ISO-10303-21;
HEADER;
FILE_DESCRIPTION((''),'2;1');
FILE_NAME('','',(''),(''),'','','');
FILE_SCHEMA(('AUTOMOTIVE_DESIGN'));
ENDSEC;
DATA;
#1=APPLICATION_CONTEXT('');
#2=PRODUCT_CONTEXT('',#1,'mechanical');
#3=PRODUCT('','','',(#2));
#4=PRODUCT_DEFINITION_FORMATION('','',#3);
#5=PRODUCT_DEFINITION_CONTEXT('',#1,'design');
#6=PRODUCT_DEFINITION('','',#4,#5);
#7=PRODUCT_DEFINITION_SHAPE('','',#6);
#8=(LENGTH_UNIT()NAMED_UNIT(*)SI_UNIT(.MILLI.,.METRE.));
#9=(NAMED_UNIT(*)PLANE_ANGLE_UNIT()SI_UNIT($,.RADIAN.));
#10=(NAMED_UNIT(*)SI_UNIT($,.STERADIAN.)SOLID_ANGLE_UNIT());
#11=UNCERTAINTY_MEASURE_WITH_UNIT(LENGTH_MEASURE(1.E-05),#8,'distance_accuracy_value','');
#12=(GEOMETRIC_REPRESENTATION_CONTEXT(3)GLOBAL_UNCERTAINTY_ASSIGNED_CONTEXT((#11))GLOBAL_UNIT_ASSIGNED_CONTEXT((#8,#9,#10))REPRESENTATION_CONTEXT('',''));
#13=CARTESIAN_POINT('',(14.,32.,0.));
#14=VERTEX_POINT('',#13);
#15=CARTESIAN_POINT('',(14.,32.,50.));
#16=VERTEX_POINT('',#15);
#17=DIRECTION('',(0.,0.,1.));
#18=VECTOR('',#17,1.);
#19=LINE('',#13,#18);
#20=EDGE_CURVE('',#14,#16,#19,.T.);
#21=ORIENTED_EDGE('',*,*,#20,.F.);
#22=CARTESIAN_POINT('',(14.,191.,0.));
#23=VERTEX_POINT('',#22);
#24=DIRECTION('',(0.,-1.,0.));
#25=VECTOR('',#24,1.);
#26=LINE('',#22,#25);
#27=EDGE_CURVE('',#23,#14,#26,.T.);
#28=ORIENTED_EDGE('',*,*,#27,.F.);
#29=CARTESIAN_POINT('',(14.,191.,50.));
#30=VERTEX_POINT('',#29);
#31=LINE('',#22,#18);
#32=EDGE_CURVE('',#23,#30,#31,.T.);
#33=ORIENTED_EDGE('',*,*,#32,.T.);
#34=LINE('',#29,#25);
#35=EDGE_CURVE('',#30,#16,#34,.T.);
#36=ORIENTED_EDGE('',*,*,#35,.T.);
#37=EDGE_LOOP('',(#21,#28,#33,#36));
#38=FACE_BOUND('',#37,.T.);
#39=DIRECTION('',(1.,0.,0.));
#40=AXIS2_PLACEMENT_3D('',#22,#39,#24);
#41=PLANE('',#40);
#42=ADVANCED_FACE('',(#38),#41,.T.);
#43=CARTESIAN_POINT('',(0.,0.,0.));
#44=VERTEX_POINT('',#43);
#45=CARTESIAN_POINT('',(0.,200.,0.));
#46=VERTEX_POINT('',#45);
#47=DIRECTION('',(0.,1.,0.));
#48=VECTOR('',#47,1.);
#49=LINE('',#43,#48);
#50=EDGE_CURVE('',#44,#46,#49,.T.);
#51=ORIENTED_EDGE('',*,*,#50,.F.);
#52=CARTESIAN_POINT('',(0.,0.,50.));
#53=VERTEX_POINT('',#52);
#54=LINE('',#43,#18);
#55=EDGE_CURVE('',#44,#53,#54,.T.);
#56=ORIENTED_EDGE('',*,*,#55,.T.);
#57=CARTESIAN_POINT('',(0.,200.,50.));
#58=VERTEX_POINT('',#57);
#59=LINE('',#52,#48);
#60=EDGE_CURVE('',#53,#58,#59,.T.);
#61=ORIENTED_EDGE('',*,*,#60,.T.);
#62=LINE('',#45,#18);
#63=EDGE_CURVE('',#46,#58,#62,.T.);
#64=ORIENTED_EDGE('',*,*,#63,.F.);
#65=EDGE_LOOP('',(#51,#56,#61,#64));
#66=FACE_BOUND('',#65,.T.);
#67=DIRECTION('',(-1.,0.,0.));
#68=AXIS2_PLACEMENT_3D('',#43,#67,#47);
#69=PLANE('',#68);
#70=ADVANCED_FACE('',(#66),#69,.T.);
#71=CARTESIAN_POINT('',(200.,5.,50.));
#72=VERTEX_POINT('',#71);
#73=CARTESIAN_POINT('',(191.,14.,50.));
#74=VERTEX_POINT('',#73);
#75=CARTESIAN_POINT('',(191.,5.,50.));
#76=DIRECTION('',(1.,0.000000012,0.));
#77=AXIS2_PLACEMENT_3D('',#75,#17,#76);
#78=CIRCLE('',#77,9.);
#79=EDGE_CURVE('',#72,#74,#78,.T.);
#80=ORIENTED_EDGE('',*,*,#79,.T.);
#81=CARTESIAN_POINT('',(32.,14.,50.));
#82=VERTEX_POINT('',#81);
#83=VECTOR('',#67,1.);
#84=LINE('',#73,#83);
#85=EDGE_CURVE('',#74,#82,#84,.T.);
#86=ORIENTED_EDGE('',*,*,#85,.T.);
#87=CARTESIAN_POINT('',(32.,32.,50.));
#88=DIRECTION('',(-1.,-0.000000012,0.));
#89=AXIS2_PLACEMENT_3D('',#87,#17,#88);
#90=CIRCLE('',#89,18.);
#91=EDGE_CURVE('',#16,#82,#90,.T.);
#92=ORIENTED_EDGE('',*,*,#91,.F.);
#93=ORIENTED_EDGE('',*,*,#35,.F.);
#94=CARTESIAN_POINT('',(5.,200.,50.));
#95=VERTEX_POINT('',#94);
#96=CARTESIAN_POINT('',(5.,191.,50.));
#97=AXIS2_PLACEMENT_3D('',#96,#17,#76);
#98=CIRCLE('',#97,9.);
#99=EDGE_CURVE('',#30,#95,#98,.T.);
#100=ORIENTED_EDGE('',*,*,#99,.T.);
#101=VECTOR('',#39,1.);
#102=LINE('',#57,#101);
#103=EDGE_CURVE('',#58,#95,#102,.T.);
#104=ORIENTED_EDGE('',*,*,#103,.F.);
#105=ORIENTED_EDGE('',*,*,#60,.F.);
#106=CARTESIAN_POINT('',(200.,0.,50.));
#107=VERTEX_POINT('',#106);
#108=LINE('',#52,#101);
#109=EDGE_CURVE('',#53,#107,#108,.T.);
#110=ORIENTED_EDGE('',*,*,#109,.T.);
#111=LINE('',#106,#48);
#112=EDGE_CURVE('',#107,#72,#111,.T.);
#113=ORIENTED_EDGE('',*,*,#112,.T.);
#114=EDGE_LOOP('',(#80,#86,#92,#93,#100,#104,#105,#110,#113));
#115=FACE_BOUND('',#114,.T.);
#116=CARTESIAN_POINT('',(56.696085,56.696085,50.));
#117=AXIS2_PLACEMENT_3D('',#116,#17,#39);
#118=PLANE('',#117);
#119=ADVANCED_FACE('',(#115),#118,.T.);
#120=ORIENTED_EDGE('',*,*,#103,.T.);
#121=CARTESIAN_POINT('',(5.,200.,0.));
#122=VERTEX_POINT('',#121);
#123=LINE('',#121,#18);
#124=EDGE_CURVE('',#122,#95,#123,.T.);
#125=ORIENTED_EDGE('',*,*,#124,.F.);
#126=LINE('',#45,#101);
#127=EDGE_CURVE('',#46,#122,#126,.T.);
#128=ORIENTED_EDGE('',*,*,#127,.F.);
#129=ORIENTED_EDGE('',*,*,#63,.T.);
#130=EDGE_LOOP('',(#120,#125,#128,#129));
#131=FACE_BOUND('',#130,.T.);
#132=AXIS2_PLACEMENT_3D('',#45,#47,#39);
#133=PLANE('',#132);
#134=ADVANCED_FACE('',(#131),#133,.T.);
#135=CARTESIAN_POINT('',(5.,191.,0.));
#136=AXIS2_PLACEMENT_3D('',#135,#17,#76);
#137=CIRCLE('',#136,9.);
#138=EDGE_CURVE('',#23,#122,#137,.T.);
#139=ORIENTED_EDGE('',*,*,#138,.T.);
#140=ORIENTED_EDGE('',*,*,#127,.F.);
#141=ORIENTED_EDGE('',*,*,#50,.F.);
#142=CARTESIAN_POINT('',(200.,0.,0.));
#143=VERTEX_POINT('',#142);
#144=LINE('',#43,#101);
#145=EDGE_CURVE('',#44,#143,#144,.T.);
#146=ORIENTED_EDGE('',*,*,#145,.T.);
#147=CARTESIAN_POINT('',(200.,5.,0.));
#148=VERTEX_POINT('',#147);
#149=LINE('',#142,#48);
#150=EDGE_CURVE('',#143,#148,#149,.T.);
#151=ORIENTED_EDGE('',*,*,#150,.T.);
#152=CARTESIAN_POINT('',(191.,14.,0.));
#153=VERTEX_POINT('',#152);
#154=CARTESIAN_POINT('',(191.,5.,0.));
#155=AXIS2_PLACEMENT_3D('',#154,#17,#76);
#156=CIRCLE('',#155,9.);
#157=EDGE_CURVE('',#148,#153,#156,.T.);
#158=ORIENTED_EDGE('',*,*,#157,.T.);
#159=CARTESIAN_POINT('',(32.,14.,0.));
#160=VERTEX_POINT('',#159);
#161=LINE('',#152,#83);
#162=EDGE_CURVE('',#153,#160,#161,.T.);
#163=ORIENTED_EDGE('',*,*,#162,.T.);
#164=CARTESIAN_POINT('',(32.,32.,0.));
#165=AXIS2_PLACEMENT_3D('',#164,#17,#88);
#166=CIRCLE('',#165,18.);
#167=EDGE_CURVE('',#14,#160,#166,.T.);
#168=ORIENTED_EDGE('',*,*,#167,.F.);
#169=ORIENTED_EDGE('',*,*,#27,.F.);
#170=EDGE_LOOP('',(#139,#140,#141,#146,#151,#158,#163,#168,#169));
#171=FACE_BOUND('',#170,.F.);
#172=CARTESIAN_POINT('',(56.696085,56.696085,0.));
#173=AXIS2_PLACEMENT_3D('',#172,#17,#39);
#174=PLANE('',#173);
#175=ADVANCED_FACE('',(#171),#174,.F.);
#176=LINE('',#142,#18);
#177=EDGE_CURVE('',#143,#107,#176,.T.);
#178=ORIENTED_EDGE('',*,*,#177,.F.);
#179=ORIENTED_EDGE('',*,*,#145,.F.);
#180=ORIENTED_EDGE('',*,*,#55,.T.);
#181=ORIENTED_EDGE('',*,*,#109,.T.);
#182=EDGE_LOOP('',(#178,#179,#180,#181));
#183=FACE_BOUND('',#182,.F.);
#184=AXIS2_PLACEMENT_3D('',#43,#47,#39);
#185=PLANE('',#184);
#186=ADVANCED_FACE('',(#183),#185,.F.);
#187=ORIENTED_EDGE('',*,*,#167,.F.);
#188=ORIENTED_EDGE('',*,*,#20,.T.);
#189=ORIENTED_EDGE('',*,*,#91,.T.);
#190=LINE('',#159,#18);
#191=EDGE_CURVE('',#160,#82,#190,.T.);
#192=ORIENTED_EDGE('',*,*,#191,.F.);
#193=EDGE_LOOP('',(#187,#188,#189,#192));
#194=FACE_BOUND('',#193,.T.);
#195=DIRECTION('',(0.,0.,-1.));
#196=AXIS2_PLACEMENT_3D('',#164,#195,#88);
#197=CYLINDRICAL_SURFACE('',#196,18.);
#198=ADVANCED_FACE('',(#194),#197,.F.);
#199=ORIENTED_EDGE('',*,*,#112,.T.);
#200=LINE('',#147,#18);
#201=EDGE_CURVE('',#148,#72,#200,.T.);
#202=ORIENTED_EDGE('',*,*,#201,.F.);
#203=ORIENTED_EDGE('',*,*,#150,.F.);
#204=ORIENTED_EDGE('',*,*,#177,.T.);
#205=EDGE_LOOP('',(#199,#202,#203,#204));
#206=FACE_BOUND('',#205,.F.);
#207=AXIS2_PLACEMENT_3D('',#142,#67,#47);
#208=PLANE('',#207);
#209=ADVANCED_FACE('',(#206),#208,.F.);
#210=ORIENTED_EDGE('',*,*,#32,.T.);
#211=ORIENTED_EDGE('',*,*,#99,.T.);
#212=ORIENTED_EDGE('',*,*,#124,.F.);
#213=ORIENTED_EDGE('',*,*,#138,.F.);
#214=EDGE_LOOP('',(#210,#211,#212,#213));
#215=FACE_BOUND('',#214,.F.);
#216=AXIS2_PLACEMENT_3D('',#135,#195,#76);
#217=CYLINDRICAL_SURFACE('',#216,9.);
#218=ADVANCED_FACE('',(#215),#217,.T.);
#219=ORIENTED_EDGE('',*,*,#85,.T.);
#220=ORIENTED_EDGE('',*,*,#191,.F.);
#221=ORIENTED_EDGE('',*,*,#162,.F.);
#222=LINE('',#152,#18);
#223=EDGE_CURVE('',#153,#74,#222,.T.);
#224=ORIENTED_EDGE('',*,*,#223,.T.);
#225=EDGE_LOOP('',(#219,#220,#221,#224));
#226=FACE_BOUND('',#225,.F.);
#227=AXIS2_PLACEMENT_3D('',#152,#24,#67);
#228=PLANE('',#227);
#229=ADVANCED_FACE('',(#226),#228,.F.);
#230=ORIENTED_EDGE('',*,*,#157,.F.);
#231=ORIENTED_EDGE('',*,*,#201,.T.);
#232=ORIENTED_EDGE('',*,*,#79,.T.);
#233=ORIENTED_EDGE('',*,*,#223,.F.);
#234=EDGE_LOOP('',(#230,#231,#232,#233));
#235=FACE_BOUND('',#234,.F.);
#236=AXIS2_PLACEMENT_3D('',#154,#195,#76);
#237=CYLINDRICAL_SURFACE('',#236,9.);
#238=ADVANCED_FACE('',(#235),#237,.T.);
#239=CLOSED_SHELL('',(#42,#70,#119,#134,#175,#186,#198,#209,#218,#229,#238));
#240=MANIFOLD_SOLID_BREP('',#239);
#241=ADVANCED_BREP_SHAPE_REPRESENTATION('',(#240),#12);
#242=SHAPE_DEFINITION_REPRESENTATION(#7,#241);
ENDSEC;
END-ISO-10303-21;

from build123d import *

# Parameters (mm, degrees)
EXTRUDE_DEPTH = 50


with BuildPart() as part:
    # Sketch → Extrude (new body)
    with BuildSketch(Plane.XY):
        with BuildLine():
            Line((0, 0), (200, 0))
            Line((200, 0), (200, 5))
            ThreePointArc((200, 5), (197.363961, 11.363961), (191, 14))
            Line((191, 14), (32, 14))
            ThreePointArc((14, 32), (19.272078, 19.272078), (32, 14))
            Line((14, 191), (14, 32))
            ThreePointArc((14, 191), (11.363961, 197.363961), (5, 200))
            Line((0, 200), (5, 200))
            Line((0, 0), (0, 200))
        make_face()
    extrude(amount=EXTRUDE_DEPTH)


solid = part.part
